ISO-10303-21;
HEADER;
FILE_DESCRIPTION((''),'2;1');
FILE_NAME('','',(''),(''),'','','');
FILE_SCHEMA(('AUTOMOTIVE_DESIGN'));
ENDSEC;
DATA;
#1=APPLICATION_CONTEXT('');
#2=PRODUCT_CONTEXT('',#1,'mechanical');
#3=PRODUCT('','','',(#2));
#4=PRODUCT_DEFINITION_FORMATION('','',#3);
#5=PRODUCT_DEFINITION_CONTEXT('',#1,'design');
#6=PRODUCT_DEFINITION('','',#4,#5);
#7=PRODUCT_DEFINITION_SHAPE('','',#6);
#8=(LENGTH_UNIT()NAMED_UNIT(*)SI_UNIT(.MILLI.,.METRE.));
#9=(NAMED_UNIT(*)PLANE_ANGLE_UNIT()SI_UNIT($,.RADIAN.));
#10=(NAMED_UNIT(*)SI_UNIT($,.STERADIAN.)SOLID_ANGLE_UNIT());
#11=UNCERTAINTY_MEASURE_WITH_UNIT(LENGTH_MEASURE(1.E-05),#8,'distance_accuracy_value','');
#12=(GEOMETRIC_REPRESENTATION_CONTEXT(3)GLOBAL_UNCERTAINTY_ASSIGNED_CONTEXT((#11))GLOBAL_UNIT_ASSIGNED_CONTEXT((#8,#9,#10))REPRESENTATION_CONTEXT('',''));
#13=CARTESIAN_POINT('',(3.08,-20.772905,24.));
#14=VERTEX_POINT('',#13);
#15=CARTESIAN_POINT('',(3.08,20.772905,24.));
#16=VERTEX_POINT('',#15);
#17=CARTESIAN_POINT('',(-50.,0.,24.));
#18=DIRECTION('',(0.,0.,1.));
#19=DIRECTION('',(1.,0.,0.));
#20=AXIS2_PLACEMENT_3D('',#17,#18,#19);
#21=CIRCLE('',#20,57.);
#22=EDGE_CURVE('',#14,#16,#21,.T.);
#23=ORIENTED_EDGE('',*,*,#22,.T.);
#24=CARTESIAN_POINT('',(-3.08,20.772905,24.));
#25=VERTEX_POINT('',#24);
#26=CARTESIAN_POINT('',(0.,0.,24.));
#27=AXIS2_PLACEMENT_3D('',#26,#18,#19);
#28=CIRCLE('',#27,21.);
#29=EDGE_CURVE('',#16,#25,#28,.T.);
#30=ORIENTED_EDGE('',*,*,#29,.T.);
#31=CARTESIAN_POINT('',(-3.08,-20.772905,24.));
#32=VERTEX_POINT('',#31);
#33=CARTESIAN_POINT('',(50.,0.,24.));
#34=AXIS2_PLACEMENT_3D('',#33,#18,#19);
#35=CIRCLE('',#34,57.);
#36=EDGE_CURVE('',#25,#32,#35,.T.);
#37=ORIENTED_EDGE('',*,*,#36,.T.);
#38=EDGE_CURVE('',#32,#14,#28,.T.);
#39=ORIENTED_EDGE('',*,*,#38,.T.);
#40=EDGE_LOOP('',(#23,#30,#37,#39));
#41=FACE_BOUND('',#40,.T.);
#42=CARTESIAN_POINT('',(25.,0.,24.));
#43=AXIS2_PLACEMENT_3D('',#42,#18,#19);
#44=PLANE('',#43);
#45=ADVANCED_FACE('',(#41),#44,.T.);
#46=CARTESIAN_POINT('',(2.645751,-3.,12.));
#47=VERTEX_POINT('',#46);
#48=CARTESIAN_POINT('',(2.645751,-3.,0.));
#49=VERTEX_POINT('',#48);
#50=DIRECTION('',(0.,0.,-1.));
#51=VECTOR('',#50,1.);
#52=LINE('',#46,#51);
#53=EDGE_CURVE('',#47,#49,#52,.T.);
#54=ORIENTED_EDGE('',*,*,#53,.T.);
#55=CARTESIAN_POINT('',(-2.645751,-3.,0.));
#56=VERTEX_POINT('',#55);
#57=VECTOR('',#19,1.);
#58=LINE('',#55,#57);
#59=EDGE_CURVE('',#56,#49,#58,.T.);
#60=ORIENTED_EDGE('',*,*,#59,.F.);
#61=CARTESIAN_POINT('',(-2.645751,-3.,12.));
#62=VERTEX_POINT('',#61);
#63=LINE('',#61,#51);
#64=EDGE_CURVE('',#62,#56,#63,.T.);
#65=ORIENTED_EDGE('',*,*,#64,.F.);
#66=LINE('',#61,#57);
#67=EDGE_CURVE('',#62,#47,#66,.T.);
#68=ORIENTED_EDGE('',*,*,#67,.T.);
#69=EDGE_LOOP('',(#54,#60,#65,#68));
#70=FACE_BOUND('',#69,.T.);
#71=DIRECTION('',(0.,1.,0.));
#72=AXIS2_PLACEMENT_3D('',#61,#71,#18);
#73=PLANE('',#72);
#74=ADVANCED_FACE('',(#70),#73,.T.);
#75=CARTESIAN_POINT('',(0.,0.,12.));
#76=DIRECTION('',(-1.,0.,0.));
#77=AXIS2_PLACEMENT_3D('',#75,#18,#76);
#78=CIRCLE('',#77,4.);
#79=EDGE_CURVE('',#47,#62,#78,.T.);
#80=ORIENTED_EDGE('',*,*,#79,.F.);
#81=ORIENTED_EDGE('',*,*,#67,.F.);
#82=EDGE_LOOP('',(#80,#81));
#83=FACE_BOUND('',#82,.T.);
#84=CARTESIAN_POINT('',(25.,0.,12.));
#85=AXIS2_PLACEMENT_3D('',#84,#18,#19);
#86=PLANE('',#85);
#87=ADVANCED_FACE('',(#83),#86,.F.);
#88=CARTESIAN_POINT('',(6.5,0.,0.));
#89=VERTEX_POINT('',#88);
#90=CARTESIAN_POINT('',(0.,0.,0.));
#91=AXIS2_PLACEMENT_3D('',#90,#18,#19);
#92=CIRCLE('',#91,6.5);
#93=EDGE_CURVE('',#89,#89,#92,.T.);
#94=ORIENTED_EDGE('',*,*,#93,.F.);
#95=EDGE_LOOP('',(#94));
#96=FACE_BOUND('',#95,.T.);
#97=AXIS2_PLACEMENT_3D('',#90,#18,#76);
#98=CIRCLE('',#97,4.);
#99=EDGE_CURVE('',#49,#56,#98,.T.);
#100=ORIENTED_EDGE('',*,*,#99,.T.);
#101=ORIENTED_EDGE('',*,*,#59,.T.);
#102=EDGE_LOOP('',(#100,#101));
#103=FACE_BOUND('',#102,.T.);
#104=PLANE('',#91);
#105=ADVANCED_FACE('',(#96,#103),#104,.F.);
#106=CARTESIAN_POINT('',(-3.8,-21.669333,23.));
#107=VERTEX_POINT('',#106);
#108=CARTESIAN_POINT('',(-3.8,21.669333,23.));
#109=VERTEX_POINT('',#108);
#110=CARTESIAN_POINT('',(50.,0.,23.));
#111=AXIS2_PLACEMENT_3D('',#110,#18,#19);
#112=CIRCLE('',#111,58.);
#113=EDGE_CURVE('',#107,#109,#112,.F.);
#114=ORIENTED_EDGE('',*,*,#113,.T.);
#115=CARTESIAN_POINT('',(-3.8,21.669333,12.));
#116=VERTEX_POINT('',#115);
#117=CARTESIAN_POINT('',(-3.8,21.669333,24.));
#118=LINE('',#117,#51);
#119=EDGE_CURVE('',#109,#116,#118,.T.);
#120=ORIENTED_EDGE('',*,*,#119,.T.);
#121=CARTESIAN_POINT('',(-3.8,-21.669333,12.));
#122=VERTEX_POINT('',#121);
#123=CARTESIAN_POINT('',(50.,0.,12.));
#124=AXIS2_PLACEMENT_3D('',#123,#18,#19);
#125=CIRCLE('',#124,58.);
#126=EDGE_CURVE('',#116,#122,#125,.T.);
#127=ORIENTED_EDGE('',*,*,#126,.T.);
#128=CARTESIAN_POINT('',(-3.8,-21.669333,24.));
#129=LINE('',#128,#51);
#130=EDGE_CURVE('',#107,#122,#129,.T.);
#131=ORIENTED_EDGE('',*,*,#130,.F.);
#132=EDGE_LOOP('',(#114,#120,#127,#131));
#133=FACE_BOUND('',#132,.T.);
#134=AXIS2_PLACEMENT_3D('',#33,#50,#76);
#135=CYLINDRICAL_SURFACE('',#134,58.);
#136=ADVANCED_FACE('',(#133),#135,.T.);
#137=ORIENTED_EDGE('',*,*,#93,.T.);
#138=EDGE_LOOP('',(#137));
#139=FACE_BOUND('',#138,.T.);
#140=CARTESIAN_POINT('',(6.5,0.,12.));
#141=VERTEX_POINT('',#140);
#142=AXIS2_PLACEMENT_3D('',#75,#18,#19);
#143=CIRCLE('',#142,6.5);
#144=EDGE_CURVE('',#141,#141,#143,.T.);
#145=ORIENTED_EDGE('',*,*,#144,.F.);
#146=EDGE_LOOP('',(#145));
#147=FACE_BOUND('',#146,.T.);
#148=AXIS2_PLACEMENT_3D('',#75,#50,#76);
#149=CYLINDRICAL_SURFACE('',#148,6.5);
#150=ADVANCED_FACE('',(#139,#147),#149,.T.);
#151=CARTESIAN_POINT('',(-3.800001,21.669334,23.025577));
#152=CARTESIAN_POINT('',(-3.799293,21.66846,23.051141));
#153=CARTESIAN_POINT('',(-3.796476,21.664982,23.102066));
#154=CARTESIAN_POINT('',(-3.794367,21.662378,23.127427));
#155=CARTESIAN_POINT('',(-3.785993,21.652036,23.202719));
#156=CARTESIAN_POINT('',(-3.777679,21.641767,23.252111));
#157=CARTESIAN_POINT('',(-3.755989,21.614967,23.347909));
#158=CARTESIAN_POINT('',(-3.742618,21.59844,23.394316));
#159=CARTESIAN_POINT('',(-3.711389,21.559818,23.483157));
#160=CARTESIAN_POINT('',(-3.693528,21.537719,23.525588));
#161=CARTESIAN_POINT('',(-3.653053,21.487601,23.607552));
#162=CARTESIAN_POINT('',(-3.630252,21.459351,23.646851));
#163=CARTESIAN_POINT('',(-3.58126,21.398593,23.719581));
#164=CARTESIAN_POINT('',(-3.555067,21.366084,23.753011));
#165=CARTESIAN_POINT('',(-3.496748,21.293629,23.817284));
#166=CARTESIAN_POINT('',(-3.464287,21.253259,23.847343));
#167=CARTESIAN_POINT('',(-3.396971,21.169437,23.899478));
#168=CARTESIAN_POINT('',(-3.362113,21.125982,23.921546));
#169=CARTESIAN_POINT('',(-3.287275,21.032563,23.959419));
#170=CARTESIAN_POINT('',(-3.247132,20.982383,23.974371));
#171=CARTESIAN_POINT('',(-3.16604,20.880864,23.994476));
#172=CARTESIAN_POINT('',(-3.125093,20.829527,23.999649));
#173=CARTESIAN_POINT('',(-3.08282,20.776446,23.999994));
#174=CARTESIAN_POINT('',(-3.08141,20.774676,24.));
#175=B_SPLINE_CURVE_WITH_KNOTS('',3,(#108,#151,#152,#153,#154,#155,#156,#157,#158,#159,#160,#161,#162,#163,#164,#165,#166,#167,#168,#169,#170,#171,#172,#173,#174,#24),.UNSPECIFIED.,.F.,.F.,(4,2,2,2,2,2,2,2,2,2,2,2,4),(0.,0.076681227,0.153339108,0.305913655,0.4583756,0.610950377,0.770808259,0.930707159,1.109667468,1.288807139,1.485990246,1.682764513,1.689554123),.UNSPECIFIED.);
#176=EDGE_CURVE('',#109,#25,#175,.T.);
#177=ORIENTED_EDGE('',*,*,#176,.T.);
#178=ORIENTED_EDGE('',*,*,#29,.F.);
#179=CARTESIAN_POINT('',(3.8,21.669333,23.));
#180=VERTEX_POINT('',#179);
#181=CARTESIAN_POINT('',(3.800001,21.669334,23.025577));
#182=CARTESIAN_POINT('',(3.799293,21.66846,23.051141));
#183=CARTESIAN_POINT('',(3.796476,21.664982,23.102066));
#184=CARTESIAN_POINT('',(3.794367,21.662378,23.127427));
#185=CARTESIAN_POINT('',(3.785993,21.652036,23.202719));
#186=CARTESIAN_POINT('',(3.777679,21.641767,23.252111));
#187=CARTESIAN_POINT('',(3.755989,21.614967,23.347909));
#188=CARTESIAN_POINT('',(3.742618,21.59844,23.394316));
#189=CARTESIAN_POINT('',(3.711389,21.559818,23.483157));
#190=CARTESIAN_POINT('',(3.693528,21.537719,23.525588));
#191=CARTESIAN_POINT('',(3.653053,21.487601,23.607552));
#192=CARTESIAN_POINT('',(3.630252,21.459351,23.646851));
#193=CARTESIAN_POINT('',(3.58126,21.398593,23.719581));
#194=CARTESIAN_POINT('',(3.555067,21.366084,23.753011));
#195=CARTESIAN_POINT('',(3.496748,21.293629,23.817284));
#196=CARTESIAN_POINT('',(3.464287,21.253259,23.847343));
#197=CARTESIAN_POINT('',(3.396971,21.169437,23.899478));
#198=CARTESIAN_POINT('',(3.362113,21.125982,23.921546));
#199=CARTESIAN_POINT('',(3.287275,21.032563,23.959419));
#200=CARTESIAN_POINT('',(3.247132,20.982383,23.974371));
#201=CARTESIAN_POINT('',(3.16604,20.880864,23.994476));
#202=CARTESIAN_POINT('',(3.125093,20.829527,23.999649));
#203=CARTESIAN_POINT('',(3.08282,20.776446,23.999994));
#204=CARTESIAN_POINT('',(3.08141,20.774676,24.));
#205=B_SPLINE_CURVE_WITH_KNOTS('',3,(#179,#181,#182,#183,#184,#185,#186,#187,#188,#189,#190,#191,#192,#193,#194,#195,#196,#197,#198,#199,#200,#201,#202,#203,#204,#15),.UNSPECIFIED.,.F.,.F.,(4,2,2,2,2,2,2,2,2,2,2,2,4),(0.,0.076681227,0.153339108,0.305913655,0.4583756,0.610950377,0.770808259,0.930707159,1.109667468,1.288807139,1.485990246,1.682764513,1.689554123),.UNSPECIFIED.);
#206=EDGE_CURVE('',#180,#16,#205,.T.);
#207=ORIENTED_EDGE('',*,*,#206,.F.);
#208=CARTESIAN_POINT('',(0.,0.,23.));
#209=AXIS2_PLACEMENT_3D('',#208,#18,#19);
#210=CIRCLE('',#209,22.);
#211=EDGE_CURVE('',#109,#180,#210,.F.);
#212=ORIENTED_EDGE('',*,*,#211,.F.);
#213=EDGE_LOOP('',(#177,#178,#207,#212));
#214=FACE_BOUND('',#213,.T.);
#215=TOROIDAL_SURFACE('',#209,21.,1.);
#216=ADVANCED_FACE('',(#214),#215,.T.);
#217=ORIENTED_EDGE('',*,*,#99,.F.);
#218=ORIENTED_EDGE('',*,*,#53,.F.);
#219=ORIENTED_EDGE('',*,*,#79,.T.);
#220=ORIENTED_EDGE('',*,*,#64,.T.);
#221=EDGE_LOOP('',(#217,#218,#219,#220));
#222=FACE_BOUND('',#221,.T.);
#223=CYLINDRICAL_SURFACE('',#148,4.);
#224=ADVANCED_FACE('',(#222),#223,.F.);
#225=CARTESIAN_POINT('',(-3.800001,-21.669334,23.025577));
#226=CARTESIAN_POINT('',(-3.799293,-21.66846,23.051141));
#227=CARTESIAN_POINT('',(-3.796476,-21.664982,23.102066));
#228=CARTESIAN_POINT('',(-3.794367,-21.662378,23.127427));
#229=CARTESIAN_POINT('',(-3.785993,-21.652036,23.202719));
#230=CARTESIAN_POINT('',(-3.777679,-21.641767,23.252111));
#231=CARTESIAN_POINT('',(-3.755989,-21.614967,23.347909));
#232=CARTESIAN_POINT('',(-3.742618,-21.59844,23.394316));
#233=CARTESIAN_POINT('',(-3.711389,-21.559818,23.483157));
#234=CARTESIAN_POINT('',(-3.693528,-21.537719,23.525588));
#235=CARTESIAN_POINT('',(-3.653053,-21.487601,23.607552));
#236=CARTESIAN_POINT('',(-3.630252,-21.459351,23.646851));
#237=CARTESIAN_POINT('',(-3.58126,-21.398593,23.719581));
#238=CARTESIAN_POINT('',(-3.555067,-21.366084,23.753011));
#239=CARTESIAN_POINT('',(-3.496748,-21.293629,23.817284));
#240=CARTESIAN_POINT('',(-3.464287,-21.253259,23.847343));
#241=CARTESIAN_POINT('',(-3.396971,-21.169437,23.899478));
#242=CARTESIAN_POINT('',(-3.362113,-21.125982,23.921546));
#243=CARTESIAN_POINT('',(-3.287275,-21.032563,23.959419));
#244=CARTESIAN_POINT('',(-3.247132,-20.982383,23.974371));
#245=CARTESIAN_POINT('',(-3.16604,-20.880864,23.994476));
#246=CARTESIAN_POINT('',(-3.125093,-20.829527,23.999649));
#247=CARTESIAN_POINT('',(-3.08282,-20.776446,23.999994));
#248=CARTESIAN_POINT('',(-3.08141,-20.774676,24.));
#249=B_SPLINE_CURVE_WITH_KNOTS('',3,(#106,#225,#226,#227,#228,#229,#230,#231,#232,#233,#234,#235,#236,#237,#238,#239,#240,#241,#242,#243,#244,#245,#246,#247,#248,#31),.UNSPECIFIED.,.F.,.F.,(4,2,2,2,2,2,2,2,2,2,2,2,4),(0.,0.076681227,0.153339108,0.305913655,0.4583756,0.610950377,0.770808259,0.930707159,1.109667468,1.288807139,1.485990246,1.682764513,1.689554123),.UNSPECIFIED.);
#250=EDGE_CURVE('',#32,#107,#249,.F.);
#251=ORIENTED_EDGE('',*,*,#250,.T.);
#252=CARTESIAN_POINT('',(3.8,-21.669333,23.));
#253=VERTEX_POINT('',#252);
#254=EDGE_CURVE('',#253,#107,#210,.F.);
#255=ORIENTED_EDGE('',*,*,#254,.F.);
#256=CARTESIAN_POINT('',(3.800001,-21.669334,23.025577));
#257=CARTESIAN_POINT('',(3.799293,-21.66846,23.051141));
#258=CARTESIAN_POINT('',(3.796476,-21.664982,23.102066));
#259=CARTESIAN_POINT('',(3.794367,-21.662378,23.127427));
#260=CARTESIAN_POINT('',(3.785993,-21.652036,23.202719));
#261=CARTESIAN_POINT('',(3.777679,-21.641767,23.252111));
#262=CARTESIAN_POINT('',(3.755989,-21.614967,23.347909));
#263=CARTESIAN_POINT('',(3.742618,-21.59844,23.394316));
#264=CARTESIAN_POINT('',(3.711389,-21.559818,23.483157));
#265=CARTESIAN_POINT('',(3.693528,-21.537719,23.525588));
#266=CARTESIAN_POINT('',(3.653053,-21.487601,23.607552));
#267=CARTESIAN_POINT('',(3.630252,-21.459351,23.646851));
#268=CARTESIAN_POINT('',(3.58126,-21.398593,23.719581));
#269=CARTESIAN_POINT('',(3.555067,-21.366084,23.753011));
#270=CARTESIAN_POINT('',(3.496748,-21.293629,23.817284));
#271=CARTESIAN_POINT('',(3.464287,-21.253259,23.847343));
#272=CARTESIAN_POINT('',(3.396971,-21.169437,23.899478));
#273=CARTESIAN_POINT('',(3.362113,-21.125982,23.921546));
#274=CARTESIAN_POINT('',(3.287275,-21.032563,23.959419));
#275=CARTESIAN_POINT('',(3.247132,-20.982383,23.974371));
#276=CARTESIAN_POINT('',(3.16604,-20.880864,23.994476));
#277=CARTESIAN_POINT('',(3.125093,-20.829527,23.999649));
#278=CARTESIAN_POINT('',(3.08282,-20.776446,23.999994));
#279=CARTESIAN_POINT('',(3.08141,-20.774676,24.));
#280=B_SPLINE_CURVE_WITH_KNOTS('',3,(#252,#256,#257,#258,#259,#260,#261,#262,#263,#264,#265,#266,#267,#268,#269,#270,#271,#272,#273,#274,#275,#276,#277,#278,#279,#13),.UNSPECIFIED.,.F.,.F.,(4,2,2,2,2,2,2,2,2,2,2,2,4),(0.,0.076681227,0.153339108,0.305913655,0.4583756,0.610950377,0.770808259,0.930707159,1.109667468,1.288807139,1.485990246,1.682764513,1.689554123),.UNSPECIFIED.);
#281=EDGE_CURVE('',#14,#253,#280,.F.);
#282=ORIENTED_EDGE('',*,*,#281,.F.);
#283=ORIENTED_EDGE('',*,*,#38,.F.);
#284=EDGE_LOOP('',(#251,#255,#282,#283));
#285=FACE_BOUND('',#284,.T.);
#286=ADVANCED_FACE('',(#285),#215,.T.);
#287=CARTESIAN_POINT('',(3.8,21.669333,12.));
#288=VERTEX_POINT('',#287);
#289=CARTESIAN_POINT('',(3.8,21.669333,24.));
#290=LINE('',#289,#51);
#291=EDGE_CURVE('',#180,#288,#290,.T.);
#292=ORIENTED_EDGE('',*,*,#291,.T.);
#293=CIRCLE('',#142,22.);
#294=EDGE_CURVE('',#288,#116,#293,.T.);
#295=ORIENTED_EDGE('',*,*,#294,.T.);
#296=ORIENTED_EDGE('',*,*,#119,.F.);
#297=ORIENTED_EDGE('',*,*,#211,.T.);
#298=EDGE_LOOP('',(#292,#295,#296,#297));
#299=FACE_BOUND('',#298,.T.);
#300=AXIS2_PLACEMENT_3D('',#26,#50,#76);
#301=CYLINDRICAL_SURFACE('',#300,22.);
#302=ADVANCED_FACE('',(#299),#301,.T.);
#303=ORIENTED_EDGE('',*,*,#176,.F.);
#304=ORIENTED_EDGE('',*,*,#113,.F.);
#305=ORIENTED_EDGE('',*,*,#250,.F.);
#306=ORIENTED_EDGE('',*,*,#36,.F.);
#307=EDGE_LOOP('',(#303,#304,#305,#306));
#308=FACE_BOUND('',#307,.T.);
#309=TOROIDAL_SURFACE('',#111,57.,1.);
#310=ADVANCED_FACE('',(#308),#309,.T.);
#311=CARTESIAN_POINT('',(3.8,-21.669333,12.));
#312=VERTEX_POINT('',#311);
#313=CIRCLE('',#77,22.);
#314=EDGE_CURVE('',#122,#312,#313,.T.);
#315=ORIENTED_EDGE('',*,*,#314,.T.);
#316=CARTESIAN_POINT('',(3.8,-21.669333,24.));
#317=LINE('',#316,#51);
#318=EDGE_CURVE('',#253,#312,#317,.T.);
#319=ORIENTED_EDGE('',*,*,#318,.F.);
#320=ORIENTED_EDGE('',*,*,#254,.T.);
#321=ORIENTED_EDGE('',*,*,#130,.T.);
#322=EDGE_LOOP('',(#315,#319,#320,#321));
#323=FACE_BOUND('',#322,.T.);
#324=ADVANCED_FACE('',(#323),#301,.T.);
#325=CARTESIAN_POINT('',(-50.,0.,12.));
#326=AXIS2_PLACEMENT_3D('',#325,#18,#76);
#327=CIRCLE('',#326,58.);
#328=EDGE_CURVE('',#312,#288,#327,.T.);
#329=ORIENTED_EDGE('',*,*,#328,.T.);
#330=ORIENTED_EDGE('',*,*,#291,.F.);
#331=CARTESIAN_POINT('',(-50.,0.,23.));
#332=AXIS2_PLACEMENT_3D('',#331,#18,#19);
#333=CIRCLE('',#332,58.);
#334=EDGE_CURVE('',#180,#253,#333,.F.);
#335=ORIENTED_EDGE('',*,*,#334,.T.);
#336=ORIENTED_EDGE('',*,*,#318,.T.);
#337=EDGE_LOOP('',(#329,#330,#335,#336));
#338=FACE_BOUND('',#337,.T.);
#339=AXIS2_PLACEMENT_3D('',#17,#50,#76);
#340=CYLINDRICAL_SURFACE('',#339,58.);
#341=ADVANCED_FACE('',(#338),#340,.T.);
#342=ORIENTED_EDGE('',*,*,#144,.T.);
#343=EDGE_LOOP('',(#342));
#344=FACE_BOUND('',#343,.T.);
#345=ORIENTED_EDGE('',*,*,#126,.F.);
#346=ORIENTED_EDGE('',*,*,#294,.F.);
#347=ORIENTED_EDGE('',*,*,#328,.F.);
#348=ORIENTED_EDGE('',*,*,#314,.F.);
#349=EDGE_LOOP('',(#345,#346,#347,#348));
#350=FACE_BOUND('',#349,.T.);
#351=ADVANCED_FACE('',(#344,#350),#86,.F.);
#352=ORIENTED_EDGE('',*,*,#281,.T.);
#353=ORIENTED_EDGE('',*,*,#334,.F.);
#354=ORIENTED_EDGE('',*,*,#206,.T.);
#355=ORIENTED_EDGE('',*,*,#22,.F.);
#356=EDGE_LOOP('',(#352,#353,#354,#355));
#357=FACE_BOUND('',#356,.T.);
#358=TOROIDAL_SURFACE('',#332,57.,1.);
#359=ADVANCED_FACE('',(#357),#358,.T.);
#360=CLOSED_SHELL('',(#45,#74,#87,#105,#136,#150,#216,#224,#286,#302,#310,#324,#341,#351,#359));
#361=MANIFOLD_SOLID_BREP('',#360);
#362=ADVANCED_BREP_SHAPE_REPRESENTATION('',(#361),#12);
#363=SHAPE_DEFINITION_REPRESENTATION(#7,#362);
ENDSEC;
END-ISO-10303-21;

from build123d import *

# Parameters (mm, degrees)
SKETCH1_R           = 6.5
BOSS_EXTRUDE1_DEPTH = 12
BOSS_EXTRUDE2_DEPTH = 12
FILLET1_R           = 1


with BuildPart() as part:
    # Sketch1 → Boss-Extrude1 (new body)
    with BuildSketch(Plane.XY):
        Circle(SKETCH1_R)
        with BuildLine():
            Line((-2.645751311, -3), (2.645751311, -3))
            ThreePointArc((2.645751311, -3), (0, 4), (-2.645751311, -3))
        make_face(mode=Mode.SUBTRACT)
    extrude(amount=BOSS_EXTRUDE1_DEPTH)

    # Sketch2 → Boss-Extrude2 (add)
    with BuildSketch(Plane.XY.offset(12)):
        with BuildLine():
            ThreePointArc((3.8, 21.669333169), (8, 0), (3.8, -21.669333169))
            ThreePointArc((3.8, -21.669333169), (0, -22), (-3.8, -21.669333169))
            ThreePointArc((-3.8, -21.669333169), (-8, 0), (-3.8, 21.669333169))
            ThreePointArc((-3.8, 21.669333169), (0, 22), (3.8, 21.669333169))
        make_face()
    extrude(amount=BOSS_EXTRUDE2_DEPTH)

    # Fillet1
    fillet1_edges = [part.edges().sort_by_distance(p)[0] for p in [
        (0, 22, 24),
        (-8, 0, 24),
        (0, -22, 24),
        (8, 0, 24),
    ]]
    fillet(fillet1_edges, radius=FILLET1_R)


solid = part.part
